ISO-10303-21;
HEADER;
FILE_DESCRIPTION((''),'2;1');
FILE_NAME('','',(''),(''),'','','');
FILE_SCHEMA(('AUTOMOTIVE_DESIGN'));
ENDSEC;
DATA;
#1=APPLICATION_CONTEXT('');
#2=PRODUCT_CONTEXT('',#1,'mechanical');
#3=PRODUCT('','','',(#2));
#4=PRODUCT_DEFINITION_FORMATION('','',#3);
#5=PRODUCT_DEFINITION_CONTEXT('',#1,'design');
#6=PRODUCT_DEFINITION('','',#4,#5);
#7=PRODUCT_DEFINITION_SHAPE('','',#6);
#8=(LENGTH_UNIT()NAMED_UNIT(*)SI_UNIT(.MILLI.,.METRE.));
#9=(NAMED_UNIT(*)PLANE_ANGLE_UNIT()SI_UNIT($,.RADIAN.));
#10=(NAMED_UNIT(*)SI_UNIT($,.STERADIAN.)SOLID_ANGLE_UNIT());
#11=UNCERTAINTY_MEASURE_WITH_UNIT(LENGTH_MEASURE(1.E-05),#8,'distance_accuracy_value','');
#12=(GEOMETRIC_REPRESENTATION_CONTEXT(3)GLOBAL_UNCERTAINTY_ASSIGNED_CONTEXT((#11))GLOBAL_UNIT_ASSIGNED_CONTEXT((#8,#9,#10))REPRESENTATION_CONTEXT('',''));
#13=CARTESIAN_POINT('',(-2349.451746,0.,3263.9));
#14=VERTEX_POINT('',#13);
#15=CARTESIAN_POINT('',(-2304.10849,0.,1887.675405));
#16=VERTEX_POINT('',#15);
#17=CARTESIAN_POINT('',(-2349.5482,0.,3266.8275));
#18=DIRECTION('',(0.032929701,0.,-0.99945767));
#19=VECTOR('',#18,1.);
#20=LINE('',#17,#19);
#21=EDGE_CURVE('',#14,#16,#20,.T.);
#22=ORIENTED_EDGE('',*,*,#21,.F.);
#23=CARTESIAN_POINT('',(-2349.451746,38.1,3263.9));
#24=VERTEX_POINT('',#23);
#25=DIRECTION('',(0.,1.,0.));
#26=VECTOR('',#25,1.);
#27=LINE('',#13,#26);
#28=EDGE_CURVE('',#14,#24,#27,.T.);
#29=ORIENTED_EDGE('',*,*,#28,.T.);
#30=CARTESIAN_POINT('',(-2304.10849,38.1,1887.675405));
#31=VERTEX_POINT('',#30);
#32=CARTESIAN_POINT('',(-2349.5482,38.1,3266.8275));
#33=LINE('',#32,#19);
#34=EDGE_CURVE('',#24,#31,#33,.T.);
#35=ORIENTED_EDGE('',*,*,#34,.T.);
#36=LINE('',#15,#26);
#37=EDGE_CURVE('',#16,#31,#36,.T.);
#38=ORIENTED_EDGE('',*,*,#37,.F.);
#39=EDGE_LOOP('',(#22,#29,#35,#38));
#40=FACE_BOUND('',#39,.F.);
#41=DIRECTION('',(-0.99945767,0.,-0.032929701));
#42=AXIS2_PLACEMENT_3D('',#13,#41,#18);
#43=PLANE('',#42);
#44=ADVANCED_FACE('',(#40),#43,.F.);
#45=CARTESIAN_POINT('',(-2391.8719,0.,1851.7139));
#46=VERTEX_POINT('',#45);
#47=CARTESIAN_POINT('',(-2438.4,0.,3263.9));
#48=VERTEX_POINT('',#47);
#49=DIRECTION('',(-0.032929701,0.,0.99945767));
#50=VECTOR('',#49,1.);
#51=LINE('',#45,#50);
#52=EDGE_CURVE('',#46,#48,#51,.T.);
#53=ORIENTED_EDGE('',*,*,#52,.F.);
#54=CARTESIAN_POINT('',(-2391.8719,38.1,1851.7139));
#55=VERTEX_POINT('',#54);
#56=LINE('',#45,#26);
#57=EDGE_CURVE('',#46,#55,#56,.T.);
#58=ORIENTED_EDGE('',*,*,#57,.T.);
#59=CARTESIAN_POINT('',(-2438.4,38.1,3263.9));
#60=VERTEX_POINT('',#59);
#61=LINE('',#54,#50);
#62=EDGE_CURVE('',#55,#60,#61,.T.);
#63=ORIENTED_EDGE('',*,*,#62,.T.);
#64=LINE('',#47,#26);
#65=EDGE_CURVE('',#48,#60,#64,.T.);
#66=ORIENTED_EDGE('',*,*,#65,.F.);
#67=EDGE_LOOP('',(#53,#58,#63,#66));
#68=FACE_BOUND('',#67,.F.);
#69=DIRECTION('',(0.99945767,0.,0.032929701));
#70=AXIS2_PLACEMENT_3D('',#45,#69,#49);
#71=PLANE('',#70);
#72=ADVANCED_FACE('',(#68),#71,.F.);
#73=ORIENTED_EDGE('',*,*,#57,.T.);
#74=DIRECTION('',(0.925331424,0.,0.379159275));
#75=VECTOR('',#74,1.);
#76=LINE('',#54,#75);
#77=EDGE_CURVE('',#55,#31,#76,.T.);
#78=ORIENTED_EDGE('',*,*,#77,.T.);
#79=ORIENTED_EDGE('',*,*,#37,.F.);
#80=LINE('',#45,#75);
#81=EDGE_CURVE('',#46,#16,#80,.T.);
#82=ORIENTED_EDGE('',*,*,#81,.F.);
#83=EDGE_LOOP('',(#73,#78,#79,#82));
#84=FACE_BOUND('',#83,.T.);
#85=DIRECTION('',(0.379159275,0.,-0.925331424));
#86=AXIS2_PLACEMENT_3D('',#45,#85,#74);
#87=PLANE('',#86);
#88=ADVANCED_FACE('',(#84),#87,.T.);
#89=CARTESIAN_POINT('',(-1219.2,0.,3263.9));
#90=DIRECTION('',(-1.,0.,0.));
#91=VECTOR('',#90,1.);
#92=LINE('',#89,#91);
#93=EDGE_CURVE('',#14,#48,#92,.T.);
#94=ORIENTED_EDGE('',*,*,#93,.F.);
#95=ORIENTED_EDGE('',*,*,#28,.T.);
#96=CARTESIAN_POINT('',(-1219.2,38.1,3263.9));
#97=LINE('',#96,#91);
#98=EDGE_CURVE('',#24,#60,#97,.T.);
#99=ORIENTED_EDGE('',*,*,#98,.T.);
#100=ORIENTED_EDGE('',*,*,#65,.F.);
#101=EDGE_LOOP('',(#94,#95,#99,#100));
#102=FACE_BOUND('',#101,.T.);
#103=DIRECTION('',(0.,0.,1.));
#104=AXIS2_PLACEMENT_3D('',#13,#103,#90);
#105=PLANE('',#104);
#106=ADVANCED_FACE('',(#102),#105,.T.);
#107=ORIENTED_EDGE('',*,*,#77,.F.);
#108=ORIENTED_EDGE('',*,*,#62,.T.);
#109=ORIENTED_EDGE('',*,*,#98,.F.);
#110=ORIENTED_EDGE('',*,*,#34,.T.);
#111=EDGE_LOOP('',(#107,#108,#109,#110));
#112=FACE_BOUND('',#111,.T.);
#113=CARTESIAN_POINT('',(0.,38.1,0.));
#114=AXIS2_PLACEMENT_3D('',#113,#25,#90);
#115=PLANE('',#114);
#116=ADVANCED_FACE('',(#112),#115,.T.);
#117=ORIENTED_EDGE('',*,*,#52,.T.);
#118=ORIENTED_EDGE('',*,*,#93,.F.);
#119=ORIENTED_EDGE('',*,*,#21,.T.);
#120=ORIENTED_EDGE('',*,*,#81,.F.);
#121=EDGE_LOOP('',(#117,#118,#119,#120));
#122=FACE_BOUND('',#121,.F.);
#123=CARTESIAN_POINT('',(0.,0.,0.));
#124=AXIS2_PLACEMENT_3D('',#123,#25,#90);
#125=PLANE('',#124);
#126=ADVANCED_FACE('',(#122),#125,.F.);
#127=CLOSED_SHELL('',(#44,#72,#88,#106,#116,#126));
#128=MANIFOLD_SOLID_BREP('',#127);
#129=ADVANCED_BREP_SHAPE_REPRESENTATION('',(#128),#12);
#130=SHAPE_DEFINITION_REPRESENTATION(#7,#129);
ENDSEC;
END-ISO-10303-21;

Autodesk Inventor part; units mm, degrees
ref_plane "YZ Plane" through (0, 0, 0) normal (1, 0, 0) x (0, 1, 0)
ref_plane "XZ Plane" through (0, 0, 0) normal (0, 1, 0) x (-1, 0, 0)
ref_plane "XY Plane" through (0, 0, 0) normal (0, 0, 1) x (1, 0, 0)
sketch "Sketch1" plane through (0, 0, 0) normal (0, 1, 0) x (-1, 0, 0)
  line L0 (0, 0) -> (0, -1219.2)
  line L1 (0, 0) -> (88.9, 0)
  line L2 (88.9, 0) -> (88.9, -1219.2)
  line L3 (88.9, -1219.2) -> (0, -1219.2)
  line L4 (0, 0) -> (0, 1219.2) construction
  line L5 (0, 1219.2) -> (1219.2, 1219.2) construction
  line L6 (0, 1219.2) -> (0, 3657.6) construction
  line L7 (0, 3657.6) -> (0, 4876.8) construction
  line L8 (0, 4876.8) -> (0, 6096) construction
  line L9 (0, -1219.2) -> (2438.4, -1219.2) construction
  line L10 (0, 6096) -> (2438.4, 6096) construction
  line L11 (2438.4, 6096) -> (2438.4, -1219.2) construction
  line L12 (0, 3657.6) -> (0, 3352.8) construction
  line L13 (0, 3352.8) -> (2438.4, 3352.8) construction
  line L14 (2438.4, 3352.8) -> (1219.2, 3352.8)
  line L15 (1219.2, 3352.8) -> (1219.2, 3263.9)
  line L16 (1219.2, 3263.9) -> (2438.4, 3263.9)
  line L17 (2438.4, 3263.9) -> (2438.4, 3352.8)
  line L18 (0, 6096) -> (862.1046, 6958.1046)
  line L19 (862.1046, 6958.1046) -> (924.9664, 6895.2428)
  line L20 (924.9664, 6895.2428) -> (62.8618, 6033.1382)
  line L21 (62.8618, 6033.1382) -> (0, 6096)
  line L22 (0, 4876.8) -> (1219.2, 4876.8) construction
  line L23 (1219.2, 4876.8) -> (2081.3046, 5738.9046)
  line L24 (1219.2, 1219.2) -> (2081.3046, 357.0954)
  line L25 (2081.3046, 357.0954) -> (2018.4428, 294.2336)
  line L26 (2018.4428, 294.2336) -> (1156.3382, 1156.3382)
  line L27 (1156.3382, 1156.3382) -> (1219.2, 1219.2)
  line L28 (2018.4428, 294.2336) -> (88.9, -1219.2)
  line L29 (2081.3046, 357.0954) -> (2144.1664, 419.9572)
  line L30 (2144.1664, 419.9572) -> (1282.0618, 1282.0618)
  line L31 (1282.0618, 1282.0618) -> (1219.2, 1219.2)
  line L32 (2438.4, 3352.8) -> (2438.4, 3441.7)
  line L33 (2438.4, 3441.7) -> (1219.2, 3441.7)
  line L34 (1219.2, 3441.7) -> (1219.2, 3352.8)
  line L35 (1156.3382, 4939.6618) -> (1282.0618, 4813.9382)
  line L36 (2018.4428, 5801.7664) -> (2144.1664, 5676.0428)
  line L37 (1282.0618, 4813.9382) -> (2144.1664, 5676.0428)
  line L38 (2018.4428, 5801.7664) -> (1156.3382, 4939.6618)
  line L39 (2018.4428, 5801.7664) -> (924.9664, 6895.2428)
  line L40 (62.8618, 6033.1382) -> (1156.3382, 4939.6618)
  line L41 (1233.6206, 4168.8855) -> (1267.6412, 4086.7527)
  line L42 (1263.7078, 2313.9849) -> (1230.0006, 2231.7229)
  arc A0 (862.1046, 6958.1046) -> (0, 6096) centre (431.0523, 6527.0523) ccw
  line L43 (1246.8542, 2272.8539) -> (2375.0183, 1810.583)
  line L44 (2391.8719, 1851.7139) -> (2358.1646, 1769.452)
  line L45 (2391.8719, 1851.7139) -> (1263.7078, 2313.9849)
  line L46 (1230.0006, 2231.7229) -> (2358.1646, 1769.452)
  line L47 (1230.0006, 2231.7229) -> (1219.2, 3263.9)
  line L48 (2144.1664, 419.9572) -> (2391.8719, 1851.7139)
  line L49 (2391.8719, 1851.7139) -> (2438.4, 3263.9)
  line L50 (1219.2, 3441.7) -> (1233.6206, 4168.8855)
  line L51 (1250.6309, 4127.8191) -> (2377.0248, 4594.3867)
  line L52 (2360.0145, 4635.4532) -> (2394.0351, 4553.3203)
  line L53 (2394.0351, 4553.3203) -> (1267.6412, 4086.7527)
  line L54 (2360.0145, 4635.4532) -> (1233.6206, 4168.8855)
  line L55 (2394.0351, 4553.3203) -> (2144.1664, 5676.0428)
  line L56 (2438.4, 3441.7) -> (2394.0351, 4553.3203)
  line L57 (2144.1664, 5676.0428) -> (2057.3895, 5656.7301)
  line L58 (2394.0351, 4553.3203) -> (2305.2058, 4549.7751)
  line L59 (2394.0351, 4553.3203) -> (2307.2582, 4534.0076)
  line L60 (2307.2582, 4534.0076) -> (2057.3895, 5656.7301)
  line L61 (2438.4, 3441.7) -> (2349.5707, 3438.1548)
  line L62 (2349.5707, 3438.1548) -> (2305.2058, 4549.7751)
  line L63 (1219.2, 3441.7) -> (1308.0825, 3439.9374)
  line L64 (1233.6206, 4168.8855) -> (1322.5031, 4167.1229)
  line L65 (1322.5031, 4167.1229) -> (1308.0825, 3439.9374)
  line L66 (2018.4428, 5801.7664) -> (1955.581, 5738.9046)
  line L67 (1955.581, 5738.9046) -> (862.1046, 6832.381)
  line L68 (924.9664, 6895.2428) -> (862.1046, 6832.381)
  line L69 (62.8618, 6033.1382) -> (125.7236, 6096)
  line L70 (62.8618, 6033.1382) -> (125.7236, 6096)
  line L71 (125.7236, 6096) -> (1219.2, 5002.5236)
  line L72 (1156.3382, 1156.3382) -> (0, 0)
  line L73 (0, 0) -> (62.8618, -62.8618)
  line L74 (1156.3382, 1156.3382) -> (1219.2, 1093.4764)
  line L75 (1219.2, 1093.4764) -> (62.8618, -62.8618)
  line L76 (2018.4428, 294.2336) -> (1963.5776, 364.1837)
  line L77 (88.9, -1219.2) -> (34.0348, -1149.2499)
  line L78 (34.0348, -1149.2499) -> (1963.5776, 364.1837)
  line L79 (2144.1664, 419.9572) -> (2056.5677, 435.1125)
  line L80 (2391.8719, 1851.7139) -> (2304.2732, 1866.8692)
  line L81 (2391.8719, 1851.7139) -> (2303.0201, 1854.6414)
  line L82 (2304.2732, 1866.8692) -> (2056.5677, 435.1125)
  line L83 (1230.0006, 2231.7229) -> (1318.8957, 2232.6531)
  line L84 (1219.2, 3263.9) -> (1308.0951, 3264.8302)
  line L85 (1308.0951, 3264.8302) -> (1318.8957, 2232.6531)
  line L86 (2438.4, 3263.9) -> (2349.5482, 3266.8275)
  line L87 (2349.5482, 3266.8275) -> (2303.0201, 1854.6414)
  line L88 (88.9, 0) -> (125.7236, 0)
  line L89 (1233.6206, 4168.8855) -> (1219.2, 4876.8)
  line L90 (1233.6206, 4168.8855) -> (1322.5022, 4170.6961)
  line L91 (1219.2, 4876.8) -> (1308.0816, 4878.6106)
  line L92 (1308.0816, 4878.6106) -> (1322.5022, 4170.6961)
  line L93 (1282.0618, 4813.9382) -> (1309.9674, 4786.0326)
  line L94 (1267.6412, 4086.7527) -> (1318.4756, 3964.0275)
  line L95 (2360.0145, 4635.4532) -> (2374.4273, 4641.4231)
  line L96 (1230.0006, 2231.7229) -> (1219.2, 1219.2)
  line L97 (1230.0006, 2231.7229) -> (1318.8955, 2230.7747)
  line L98 (1219.2, 1219.2) -> (1308.0949, 1218.2518)
  line L99 (1308.0949, 1218.2518) -> (1318.8955, 2230.7747)
  line L100 (1282.0618, 1282.0618) -> (1309.0636, 1309.0636)
  line L101 (1263.7078, 2313.9849) -> (1316.7428, 2438.4)
  line L102 (2358.1646, 1769.452) -> (2376.5379, 1763.082)
  point P0 (1770.957, 2057.4547)
  point P1 (1955.1236, 357.5528)
  point P2 (88.9, -1106.2164)
  point P3 (2292.1025, 1796.5213)
  point P4 (2067.2525, 496.8711)
  point P5 (1318.5187, 2195.4522)
  point P6 (1308.1049, 3263.9)
  point P7 (2349.4518, 3263.9)
  point P8 (2304.1085, 1887.6754)
  dimension "d0" = 1219.2
  dimension "d2" = 1219.2
  dimension "d3" = 1219.2
  dimension "d16" = 2438.4
  dimension "d17" = 1219.2
  dimension "d18" = 1219.2
  dimension "d20" = 2438.4
  dimension "d21" = 304.8
  dimension "d22" = 1219.2
  dimension "d23" = 88.9
  dimension "d24" = 1219.2
  dimension "d25" = 45
  dimension "d26" = 88.9
  dimension "d27" = 1219.2
  dimension "d28" = 1219.2
  dimension "d29" = 1219.2
  dimension "d31" = 1219.2
  dimension "d32" = 88.9
  dimension "d33" = 88.9
  dimension "d34" = 88.9
  dimension "d35" = 177.8
  dimension "d36" = 177.8
  dimension "d38" = 88.9
  dimension "d39" = 88.9
  dimension "d43" = 1219.2
  dimension "d44" = 88.9
  dimension "d45" = 1219.2
  dimension "d46" = 88.9
  dimension "d47" = 88.9
  dimension "d48" = 88.9
  dimension "d49" = 88.9
  dimension "d50" = 88.9
  dimension "d51" = 88.9
  dimension "d54" = 88.9
  dimension "d55" = 88.9
  dimension "d57" = 88.9
  dimension "d58" = 88.9
  dimension "d59" = 88.9
  dimension "d60" = 88.9
  dimension "d61" = 88.9
  dimension "d64" = 88.9
  dimension "d65" = 88.9
  dimension "d66" = 88.9
  dimension "d69" = 88.9
  dimension "d70" = 88.9
  dimension "d71" = 88.9
  dimension "d72" = 88.9
extrude "Extrusion1" add sketch "Sketch1" along normal blind 38.1 contours L45 L87 L16 L49
properties part number "S_2x4x55.628"
